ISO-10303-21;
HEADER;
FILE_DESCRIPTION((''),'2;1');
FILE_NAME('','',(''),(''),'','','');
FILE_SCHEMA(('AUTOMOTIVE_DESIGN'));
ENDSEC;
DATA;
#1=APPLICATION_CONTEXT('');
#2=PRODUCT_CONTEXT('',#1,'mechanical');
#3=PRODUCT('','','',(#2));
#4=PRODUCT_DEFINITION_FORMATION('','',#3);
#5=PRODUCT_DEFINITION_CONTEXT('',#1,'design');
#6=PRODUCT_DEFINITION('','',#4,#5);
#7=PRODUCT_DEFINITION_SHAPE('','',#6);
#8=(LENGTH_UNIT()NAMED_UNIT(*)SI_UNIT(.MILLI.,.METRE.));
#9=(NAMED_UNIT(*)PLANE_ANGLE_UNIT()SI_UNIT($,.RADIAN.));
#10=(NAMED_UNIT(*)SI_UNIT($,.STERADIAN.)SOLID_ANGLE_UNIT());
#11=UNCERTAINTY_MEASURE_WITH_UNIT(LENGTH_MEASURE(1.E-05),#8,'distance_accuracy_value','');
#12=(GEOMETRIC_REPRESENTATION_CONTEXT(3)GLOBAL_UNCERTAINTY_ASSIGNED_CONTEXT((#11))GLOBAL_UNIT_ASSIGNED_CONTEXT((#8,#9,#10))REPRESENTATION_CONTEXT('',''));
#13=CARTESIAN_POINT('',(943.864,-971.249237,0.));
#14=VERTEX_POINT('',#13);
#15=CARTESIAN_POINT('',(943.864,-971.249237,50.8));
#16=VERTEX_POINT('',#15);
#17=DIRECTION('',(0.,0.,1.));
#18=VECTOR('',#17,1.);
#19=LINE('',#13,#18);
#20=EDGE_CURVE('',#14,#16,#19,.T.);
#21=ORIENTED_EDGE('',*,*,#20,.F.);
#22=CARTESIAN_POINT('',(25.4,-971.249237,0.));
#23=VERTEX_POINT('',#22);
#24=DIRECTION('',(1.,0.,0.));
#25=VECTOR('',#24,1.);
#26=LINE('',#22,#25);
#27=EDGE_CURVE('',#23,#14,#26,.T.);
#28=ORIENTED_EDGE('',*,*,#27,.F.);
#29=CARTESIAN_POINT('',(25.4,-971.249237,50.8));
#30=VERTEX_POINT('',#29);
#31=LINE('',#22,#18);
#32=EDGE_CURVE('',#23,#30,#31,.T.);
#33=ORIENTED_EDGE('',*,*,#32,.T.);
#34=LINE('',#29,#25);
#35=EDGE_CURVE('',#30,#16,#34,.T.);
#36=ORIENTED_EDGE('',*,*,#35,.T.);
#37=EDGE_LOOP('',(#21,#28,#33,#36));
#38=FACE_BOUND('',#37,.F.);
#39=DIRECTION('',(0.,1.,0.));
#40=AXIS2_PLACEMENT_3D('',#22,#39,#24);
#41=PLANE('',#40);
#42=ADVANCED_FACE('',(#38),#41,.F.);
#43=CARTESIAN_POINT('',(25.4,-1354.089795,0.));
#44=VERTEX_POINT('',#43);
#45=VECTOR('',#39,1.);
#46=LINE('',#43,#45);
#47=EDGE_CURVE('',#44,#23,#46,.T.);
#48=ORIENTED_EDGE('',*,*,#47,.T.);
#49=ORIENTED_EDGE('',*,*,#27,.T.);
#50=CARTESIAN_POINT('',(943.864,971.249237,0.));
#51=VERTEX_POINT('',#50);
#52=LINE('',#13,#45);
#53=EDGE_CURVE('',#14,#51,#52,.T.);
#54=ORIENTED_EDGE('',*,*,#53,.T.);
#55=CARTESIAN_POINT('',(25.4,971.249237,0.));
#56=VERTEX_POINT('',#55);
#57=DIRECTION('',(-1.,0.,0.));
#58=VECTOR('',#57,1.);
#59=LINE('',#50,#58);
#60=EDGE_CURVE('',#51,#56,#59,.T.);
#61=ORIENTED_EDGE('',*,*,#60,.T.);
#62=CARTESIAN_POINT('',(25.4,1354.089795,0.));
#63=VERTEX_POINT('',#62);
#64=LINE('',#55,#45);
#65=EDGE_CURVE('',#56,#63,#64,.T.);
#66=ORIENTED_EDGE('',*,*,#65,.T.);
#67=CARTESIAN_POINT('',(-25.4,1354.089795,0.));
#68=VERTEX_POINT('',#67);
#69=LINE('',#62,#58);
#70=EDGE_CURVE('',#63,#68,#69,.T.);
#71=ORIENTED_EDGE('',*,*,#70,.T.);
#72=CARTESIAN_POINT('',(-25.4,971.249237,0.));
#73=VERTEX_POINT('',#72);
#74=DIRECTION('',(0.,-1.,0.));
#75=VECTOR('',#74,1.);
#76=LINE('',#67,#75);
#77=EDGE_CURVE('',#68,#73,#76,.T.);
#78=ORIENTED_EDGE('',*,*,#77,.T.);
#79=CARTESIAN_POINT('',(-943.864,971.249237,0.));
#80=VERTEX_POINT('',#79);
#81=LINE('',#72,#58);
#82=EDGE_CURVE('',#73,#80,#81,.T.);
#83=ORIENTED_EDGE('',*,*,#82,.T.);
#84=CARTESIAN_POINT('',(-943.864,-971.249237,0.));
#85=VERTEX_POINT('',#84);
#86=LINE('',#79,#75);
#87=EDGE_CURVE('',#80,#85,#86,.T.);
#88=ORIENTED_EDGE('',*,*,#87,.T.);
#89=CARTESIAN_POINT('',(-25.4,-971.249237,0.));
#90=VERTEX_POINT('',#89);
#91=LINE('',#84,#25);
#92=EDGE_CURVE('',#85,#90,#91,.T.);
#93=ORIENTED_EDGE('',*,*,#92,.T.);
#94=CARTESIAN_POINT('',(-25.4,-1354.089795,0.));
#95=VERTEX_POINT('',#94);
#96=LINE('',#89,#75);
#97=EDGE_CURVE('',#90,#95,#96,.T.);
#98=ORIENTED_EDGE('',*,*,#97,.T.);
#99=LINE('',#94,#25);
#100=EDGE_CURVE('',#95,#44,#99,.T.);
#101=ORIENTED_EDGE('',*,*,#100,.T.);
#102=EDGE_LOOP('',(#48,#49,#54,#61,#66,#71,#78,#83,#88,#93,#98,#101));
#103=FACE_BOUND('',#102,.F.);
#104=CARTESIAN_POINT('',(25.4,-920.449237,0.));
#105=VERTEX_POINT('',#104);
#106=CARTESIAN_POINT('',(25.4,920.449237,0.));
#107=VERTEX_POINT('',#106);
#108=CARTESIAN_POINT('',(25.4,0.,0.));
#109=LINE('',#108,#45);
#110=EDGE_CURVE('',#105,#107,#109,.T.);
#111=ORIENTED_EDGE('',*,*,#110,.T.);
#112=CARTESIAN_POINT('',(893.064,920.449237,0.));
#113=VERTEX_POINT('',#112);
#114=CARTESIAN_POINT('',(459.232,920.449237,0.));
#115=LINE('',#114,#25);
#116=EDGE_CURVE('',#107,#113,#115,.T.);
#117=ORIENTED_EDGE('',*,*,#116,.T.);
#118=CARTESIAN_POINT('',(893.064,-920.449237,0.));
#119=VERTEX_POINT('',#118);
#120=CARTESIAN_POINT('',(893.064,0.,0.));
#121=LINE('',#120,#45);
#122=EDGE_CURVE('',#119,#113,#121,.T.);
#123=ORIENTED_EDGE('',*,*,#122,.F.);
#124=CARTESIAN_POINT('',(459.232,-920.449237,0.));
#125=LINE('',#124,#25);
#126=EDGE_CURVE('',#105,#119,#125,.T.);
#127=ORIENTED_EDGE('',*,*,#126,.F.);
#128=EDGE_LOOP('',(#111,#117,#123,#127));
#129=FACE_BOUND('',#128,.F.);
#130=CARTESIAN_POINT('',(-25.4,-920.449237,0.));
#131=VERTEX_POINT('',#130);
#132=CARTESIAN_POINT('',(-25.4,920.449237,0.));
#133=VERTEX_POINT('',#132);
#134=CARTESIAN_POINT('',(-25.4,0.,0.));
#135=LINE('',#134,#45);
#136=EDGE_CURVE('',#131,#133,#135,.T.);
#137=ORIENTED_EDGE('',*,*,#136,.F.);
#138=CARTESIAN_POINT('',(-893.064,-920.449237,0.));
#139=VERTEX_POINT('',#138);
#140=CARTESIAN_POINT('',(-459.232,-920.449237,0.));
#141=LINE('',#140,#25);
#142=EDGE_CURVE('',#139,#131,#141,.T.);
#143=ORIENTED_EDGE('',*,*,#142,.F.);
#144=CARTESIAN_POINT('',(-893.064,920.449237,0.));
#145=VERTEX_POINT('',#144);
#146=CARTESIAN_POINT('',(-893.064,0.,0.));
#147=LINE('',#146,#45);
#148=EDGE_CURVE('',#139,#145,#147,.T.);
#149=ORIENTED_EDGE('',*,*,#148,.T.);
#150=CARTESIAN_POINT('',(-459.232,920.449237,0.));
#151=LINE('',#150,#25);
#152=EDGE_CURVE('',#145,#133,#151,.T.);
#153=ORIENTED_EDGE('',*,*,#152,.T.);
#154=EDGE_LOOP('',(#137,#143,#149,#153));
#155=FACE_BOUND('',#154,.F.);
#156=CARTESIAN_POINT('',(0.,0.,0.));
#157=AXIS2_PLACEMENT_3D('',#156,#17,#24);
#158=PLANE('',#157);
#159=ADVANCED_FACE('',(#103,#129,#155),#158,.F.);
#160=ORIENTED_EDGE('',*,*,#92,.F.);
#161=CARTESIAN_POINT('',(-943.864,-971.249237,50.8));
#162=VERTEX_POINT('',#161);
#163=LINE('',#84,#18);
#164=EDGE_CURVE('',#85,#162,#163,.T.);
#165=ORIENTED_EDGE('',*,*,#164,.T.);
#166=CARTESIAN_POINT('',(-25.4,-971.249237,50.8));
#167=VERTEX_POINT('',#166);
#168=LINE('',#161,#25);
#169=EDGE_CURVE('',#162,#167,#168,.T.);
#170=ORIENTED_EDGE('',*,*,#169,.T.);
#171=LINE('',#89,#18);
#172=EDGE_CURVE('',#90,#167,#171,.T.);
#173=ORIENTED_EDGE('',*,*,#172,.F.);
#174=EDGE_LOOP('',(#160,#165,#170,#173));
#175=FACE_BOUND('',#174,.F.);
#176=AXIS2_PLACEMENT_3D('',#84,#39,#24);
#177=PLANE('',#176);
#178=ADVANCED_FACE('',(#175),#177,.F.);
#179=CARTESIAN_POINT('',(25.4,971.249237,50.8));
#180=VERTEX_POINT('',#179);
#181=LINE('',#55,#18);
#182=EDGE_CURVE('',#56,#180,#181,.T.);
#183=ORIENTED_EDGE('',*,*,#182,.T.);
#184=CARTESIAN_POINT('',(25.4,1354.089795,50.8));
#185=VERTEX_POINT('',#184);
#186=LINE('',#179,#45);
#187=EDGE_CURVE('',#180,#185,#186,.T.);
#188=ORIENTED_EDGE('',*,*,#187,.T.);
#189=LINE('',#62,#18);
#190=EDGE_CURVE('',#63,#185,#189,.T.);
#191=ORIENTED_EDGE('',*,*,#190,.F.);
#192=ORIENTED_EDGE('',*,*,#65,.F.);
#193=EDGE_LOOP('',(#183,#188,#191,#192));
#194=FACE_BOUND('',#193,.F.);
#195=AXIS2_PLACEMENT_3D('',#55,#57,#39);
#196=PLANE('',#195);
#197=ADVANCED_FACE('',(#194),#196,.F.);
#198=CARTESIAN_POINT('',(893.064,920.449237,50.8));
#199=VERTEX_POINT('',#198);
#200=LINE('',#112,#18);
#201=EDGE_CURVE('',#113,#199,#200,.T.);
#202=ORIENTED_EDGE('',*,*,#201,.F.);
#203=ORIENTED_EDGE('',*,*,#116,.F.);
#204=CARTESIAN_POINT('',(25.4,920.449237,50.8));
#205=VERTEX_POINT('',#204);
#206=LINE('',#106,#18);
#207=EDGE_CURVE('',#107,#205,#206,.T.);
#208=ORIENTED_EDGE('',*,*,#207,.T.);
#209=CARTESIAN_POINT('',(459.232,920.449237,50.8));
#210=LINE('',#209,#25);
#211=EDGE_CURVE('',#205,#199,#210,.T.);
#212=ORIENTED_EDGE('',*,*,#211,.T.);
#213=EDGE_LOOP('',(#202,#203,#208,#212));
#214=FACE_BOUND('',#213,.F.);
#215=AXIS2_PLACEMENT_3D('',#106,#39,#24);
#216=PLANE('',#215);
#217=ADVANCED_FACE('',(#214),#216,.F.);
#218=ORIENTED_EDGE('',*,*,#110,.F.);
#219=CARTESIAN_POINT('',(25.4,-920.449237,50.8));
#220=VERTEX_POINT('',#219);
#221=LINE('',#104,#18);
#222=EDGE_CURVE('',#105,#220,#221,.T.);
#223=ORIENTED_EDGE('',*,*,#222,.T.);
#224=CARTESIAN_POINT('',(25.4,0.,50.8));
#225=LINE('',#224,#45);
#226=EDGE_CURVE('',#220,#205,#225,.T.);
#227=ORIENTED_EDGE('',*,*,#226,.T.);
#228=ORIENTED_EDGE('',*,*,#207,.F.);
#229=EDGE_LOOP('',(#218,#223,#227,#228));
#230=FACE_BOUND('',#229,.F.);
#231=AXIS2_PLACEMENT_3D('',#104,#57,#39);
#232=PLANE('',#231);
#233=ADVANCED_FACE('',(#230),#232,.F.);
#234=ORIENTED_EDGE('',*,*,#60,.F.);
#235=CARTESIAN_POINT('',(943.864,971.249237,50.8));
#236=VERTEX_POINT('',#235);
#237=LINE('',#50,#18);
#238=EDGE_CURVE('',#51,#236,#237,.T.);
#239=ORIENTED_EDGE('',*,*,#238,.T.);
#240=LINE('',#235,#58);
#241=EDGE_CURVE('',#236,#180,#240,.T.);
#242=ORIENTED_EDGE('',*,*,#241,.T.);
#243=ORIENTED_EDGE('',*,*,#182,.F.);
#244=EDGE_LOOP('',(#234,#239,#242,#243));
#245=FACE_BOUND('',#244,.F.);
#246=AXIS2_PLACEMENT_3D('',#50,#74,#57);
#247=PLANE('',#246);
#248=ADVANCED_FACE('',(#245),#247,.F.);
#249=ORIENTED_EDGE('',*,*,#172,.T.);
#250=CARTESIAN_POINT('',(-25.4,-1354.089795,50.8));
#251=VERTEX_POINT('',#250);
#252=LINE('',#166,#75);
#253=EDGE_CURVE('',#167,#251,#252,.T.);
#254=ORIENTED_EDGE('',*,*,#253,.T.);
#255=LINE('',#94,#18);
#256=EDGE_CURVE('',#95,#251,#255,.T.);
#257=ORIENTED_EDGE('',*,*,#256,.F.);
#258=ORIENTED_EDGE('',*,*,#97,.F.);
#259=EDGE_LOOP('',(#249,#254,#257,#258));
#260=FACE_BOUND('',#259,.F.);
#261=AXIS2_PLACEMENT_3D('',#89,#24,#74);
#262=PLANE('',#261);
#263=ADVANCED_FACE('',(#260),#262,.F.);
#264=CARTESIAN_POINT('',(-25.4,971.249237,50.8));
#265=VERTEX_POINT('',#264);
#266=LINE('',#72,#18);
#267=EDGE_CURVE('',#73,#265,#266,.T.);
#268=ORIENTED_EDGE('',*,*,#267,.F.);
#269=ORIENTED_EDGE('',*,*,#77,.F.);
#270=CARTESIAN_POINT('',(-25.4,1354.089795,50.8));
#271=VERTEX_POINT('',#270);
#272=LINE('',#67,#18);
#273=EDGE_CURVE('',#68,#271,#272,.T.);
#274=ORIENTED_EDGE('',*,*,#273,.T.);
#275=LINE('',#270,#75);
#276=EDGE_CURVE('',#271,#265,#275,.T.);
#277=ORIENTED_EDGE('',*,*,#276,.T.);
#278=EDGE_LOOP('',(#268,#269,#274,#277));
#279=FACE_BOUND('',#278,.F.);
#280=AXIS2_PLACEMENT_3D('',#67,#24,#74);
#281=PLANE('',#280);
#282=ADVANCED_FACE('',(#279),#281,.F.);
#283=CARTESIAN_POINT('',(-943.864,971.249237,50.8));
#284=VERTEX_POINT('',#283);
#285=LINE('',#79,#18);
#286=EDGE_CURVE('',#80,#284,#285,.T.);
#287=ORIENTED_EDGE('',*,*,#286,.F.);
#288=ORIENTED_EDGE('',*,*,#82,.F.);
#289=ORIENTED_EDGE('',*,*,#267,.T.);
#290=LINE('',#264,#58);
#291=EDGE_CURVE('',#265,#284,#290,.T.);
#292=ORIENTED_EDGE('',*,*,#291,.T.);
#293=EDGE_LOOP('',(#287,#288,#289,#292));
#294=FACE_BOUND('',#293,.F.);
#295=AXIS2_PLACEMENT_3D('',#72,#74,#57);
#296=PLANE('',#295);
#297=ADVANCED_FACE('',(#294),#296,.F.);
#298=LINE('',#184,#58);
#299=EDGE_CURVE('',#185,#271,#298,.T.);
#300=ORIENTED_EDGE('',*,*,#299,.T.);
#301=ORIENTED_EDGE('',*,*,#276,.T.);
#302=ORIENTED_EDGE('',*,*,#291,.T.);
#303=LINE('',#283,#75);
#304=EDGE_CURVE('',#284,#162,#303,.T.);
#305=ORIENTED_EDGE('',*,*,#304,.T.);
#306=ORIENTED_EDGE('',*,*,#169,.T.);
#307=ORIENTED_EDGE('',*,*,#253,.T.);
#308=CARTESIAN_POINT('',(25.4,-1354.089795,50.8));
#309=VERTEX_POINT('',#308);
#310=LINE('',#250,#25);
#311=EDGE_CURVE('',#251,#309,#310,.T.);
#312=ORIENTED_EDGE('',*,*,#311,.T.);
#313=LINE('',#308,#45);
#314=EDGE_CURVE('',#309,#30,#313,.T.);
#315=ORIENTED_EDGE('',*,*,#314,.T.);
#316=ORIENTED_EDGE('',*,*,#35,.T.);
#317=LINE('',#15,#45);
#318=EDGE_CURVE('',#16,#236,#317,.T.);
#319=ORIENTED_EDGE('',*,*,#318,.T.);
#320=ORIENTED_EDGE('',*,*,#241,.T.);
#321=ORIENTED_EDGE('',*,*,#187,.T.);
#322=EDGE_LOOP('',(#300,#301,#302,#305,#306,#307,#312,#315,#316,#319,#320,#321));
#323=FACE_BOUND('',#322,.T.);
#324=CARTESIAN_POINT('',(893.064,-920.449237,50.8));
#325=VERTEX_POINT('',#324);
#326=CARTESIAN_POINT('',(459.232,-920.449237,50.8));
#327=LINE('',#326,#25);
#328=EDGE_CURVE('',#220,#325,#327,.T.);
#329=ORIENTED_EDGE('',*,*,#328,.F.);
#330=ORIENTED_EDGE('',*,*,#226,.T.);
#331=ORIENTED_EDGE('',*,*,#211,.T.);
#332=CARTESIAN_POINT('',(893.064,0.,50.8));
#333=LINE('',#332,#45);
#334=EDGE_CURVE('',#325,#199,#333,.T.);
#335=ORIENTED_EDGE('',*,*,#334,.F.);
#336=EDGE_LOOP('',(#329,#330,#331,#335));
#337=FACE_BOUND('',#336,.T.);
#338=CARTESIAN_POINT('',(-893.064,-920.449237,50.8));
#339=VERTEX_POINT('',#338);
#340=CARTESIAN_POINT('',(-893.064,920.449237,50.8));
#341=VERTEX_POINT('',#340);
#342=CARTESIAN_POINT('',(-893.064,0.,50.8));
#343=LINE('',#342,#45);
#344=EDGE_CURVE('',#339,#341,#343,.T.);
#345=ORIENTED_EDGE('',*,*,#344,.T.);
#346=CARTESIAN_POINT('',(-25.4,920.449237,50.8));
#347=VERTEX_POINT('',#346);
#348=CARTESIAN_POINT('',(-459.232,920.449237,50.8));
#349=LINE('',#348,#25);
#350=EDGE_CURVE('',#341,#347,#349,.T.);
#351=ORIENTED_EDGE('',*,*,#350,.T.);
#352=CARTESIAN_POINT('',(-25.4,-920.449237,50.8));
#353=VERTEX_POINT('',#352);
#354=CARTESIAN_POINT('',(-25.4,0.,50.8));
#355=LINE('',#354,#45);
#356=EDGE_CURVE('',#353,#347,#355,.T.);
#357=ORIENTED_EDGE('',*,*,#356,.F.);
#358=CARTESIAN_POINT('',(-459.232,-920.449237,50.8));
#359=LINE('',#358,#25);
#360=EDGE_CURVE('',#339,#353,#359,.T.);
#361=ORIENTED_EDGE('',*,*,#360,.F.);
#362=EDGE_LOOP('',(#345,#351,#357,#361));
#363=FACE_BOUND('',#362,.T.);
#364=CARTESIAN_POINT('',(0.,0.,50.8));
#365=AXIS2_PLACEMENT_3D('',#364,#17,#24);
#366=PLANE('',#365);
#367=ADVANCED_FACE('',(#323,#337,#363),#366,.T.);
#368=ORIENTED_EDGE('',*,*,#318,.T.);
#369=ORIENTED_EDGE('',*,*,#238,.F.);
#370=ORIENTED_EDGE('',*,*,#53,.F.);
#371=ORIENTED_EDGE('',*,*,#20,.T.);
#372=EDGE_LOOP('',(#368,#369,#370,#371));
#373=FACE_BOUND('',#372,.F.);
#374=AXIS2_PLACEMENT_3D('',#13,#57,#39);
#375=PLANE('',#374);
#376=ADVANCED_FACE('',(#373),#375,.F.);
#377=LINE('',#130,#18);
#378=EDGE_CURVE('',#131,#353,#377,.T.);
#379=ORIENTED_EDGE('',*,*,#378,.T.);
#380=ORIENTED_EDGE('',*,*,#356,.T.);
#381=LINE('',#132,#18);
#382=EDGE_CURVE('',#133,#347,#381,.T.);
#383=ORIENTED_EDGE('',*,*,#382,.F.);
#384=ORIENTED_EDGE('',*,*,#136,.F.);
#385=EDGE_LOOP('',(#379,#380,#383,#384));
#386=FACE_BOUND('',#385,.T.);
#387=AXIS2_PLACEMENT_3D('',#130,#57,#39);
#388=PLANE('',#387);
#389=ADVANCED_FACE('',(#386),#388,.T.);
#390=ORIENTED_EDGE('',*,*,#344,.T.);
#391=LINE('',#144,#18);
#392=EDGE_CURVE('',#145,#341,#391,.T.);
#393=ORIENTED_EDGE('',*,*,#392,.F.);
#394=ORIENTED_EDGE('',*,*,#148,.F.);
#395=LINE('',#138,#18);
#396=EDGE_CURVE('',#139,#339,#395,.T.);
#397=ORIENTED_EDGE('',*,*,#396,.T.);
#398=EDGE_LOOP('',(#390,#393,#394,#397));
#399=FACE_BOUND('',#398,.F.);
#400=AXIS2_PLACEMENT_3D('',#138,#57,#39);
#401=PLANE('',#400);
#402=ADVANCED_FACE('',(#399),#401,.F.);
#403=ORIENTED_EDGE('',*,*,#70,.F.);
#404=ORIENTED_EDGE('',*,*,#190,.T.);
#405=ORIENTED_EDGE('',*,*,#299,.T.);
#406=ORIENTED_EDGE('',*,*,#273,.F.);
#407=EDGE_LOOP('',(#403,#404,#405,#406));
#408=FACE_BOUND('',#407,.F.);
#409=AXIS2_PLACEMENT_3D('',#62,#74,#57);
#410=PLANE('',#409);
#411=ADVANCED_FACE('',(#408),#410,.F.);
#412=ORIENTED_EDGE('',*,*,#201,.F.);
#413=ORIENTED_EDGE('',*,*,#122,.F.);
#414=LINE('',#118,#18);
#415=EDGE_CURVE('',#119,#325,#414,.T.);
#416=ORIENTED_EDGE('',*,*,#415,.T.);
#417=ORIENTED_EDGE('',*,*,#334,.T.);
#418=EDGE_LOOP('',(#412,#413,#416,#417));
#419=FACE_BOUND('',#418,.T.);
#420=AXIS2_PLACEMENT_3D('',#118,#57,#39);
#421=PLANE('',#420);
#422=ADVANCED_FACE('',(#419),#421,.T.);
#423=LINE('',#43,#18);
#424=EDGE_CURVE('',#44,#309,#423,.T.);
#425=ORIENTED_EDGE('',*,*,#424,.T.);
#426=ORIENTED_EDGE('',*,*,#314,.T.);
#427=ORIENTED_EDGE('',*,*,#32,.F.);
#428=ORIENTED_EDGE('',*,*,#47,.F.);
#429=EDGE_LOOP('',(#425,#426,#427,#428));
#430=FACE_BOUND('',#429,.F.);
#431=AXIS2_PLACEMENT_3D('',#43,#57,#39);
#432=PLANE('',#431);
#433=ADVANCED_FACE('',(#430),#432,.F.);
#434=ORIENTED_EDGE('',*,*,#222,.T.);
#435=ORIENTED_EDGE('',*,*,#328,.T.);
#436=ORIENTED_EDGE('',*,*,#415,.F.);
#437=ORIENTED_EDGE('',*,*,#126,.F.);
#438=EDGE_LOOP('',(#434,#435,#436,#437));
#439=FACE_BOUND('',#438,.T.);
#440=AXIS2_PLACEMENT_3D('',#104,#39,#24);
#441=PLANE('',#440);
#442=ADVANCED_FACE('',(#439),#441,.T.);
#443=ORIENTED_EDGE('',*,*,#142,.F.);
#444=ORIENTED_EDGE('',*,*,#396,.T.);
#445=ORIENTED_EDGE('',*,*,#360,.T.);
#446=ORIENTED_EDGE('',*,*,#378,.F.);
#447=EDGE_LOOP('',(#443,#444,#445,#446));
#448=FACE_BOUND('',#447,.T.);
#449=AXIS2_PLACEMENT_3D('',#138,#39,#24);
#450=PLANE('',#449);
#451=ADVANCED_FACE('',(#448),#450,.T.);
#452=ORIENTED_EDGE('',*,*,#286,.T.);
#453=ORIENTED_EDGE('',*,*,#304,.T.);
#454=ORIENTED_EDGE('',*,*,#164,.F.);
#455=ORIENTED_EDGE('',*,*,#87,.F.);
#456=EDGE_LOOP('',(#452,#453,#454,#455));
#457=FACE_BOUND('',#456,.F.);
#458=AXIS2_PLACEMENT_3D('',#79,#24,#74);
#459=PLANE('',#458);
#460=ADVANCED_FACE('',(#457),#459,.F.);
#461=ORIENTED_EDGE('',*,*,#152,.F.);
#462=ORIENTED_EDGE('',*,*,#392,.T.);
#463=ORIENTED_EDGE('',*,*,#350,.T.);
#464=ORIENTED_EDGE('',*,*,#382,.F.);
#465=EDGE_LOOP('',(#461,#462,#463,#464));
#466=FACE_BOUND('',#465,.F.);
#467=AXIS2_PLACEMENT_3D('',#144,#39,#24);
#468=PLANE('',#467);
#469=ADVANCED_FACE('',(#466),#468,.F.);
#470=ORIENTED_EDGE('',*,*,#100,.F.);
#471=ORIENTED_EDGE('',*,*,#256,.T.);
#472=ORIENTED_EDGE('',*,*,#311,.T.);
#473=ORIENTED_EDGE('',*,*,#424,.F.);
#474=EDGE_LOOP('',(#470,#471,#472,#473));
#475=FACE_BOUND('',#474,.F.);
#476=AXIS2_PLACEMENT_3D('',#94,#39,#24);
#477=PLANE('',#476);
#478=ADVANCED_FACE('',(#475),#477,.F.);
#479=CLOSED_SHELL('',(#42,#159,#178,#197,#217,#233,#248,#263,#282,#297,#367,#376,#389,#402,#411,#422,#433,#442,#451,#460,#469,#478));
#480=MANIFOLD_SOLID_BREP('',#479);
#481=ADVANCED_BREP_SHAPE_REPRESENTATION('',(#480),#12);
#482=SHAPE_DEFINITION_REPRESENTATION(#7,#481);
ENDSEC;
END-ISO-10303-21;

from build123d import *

# Parameters (mm, degrees)
F0_W     = 867.664
F0_H     = 1840.898474
F1_DEPTH = 50.8


with BuildPart() as f1:
    # F0 (on Top) → F1 (new body)
    with BuildSketch(Plane.XY):
        Polygon((-893.064, 971.249237), (-943.864, 971.249237), (-943.864, -971.249237), (-893.064, -971.249237), (-25.4, -971.249237), (-25.4, -1354.089795), (25.4, -1354.089795), (25.4, -971.249237), (893.064, -971.249237), (943.864, -971.249237), (943.864, 971.249237), (893.064, 971.249237), (25.4, 971.249237), (25.4, 1354.089795), (-25.4, 1354.089795), (-25.4, 971.249237), align=None)
        with Locations((-459.232, 0)):
            Rectangle(F0_W, F0_H, mode=Mode.SUBTRACT)
        with Locations((459.232, 0)):
            Rectangle(F0_W, F0_H, mode=Mode.SUBTRACT)
    extrude(amount=F1_DEPTH)


solid = f1.part
